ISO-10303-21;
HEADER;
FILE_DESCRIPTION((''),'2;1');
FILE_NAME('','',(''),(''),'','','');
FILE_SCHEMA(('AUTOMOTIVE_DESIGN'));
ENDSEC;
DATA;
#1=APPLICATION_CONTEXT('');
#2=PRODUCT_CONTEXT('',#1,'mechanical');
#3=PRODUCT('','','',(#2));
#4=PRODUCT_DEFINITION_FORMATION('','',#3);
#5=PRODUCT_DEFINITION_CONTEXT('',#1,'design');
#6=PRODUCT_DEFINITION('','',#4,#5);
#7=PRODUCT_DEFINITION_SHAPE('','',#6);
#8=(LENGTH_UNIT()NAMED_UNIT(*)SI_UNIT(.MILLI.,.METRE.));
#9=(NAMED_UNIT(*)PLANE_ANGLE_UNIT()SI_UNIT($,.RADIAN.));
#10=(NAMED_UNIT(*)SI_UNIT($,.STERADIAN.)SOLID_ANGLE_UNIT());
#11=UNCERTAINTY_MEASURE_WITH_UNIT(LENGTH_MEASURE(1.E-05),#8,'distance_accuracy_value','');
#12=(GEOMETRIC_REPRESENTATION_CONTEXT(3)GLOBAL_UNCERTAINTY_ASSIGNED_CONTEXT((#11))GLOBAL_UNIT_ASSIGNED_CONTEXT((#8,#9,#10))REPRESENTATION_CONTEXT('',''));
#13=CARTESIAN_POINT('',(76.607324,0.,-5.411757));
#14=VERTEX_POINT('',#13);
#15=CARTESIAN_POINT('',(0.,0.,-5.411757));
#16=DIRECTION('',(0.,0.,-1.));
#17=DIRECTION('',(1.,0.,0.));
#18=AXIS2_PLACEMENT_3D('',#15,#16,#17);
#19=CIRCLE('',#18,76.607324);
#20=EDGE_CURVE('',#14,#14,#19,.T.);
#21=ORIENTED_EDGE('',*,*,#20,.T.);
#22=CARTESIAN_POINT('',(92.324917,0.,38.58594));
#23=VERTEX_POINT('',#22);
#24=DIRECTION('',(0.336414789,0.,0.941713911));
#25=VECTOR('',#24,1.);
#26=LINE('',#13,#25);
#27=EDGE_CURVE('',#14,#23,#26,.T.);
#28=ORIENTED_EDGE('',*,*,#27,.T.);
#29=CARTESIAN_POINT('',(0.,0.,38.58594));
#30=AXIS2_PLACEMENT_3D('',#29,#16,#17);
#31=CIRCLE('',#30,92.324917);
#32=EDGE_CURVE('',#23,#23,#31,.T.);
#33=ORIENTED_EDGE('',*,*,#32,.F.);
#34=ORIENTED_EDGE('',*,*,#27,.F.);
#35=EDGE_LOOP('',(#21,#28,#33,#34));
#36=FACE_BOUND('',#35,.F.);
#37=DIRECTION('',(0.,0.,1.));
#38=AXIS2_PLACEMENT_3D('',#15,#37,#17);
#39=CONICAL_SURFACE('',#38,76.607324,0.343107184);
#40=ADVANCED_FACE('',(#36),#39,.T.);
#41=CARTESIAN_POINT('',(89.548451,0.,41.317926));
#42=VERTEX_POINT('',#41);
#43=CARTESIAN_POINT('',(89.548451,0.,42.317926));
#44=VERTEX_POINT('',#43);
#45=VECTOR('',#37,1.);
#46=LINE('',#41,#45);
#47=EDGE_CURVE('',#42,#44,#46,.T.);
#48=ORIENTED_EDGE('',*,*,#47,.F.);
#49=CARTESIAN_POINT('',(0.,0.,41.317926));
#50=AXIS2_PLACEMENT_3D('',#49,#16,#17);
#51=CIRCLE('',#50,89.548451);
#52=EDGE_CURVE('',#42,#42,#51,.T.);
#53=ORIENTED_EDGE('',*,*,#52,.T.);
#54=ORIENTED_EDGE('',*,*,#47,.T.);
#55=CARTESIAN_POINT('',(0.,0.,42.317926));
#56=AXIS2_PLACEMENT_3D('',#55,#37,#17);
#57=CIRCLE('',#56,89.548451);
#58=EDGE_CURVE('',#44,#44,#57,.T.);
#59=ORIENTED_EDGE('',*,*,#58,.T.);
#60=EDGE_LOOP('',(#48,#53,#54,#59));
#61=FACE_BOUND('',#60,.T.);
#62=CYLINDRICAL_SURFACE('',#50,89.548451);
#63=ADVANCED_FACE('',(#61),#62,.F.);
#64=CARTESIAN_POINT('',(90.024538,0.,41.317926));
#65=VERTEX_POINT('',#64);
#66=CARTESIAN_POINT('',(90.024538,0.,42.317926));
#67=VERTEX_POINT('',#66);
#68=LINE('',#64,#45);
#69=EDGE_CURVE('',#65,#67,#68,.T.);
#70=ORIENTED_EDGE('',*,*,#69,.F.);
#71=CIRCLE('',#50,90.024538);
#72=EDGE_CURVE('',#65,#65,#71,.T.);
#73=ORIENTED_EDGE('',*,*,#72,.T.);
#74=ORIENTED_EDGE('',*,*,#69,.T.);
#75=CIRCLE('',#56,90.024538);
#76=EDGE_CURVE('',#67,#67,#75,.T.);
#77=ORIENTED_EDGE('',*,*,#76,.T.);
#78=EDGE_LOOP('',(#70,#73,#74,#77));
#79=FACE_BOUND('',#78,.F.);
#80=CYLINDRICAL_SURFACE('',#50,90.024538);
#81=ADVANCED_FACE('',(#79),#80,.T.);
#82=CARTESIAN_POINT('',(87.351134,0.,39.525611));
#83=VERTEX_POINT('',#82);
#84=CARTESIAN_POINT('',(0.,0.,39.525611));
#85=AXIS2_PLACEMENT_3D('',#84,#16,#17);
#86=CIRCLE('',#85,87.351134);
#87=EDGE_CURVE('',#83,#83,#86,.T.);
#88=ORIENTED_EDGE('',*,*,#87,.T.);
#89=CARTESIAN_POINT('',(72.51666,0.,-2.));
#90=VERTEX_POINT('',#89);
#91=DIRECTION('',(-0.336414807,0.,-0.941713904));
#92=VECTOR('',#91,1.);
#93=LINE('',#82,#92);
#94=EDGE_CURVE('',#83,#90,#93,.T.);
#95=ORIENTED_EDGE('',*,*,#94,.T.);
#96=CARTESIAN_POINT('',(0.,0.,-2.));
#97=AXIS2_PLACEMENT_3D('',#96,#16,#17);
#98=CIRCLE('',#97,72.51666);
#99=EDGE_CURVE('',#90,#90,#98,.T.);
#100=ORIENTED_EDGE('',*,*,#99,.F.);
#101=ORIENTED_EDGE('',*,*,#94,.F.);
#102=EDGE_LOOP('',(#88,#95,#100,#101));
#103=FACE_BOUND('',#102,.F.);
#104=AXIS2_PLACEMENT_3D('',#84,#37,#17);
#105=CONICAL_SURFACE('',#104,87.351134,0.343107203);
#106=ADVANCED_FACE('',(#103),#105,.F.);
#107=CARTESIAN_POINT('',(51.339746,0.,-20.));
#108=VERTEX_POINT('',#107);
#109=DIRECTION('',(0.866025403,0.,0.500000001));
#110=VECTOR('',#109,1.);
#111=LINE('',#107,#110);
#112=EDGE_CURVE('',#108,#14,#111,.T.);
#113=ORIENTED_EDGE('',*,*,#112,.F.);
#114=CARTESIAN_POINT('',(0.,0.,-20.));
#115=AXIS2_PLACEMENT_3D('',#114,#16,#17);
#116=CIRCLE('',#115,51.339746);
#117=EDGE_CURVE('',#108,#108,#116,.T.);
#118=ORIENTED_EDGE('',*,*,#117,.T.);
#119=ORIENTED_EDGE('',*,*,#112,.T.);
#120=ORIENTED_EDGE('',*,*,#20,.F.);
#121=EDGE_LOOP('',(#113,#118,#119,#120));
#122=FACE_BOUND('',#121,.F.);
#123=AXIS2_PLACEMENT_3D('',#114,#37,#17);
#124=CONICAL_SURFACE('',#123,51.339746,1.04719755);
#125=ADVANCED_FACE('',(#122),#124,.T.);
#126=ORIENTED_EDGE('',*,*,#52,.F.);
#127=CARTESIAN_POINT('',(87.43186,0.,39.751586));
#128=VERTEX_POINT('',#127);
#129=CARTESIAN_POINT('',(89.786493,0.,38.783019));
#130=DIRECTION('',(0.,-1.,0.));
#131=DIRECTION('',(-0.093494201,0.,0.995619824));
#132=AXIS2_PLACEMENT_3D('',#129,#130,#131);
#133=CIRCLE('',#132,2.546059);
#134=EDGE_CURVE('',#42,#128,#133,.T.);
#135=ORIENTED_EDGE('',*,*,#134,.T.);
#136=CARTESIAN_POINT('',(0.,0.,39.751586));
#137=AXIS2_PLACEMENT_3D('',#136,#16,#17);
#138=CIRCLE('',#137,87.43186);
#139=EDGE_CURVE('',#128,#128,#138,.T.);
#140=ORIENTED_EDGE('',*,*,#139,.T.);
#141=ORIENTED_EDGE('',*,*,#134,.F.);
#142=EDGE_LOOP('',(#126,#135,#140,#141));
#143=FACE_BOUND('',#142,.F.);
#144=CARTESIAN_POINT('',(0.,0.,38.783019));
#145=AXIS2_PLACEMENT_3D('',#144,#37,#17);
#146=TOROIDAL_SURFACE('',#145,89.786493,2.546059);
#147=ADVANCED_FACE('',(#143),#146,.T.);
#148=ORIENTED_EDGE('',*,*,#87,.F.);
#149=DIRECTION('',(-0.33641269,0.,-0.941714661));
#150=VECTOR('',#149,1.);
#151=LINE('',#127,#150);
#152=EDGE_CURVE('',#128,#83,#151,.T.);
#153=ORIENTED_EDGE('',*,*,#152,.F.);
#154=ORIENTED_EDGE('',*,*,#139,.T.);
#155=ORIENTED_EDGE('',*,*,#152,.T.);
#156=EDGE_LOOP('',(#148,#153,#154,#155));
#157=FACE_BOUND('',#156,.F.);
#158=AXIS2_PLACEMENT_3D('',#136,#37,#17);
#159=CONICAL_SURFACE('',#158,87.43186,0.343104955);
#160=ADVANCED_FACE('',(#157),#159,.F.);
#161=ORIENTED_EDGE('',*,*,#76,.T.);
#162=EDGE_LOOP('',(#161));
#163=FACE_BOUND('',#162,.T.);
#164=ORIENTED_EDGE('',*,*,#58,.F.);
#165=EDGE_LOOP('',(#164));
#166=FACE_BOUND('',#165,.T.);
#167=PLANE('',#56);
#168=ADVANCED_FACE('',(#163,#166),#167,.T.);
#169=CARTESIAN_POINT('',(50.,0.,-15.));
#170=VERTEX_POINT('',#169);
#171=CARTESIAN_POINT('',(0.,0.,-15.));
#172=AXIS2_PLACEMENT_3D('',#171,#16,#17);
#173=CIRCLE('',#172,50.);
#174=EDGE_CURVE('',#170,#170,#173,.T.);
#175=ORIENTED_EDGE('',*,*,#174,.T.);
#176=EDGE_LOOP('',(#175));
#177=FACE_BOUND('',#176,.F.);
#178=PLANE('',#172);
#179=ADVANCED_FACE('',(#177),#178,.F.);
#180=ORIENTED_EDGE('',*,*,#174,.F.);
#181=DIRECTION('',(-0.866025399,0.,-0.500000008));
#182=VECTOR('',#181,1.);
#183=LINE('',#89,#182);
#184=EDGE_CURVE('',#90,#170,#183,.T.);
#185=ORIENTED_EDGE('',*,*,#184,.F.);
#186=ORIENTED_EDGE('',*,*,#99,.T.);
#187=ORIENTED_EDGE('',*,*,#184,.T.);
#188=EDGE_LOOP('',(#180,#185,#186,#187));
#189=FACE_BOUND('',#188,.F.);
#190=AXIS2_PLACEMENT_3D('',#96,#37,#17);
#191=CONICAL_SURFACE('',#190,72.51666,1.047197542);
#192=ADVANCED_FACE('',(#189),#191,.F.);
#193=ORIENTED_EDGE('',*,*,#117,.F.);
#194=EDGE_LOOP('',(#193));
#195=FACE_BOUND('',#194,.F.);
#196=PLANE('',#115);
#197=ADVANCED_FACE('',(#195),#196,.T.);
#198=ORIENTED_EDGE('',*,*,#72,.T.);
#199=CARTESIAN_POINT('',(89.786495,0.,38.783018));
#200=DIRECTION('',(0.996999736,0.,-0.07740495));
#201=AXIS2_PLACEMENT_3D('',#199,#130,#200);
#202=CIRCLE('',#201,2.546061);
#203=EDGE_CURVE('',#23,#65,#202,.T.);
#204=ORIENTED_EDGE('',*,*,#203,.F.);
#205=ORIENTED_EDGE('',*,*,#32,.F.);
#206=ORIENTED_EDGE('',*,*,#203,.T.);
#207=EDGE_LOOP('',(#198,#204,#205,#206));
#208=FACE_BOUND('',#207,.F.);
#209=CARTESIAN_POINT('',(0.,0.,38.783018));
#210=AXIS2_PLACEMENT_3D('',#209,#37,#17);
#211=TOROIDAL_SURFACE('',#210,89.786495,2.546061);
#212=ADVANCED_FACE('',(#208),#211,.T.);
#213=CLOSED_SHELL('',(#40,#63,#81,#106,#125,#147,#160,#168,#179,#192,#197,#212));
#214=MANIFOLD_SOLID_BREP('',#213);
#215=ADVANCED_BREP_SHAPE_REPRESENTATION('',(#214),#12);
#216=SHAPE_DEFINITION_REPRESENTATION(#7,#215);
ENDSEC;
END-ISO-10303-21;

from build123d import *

# Parameters (mm, degrees)
F1_FACE_R   = 90.024538
F1_FACE_R_2 = 89.548451
F2_DEPTH    = 1


with BuildPart() as f1:
    # F0 (on Front) → F1 (revolve)
    with BuildSketch(Plane.XZ):
        with BuildLine():
            Line((50, -15), (0, -15))
            Line((0, -15), (0, -20))
            Line((0, -20), (51.339746, -20))
            Line((51.339746, -20), (76.607324, -5.411757))
            Line((76.607324, -5.411757), (92.324917, 38.58594))
            ThreePointArc((92.324917, 38.58594), (91.73409, 40.422926), (90.024538, 41.317926))
            Line((90.024538, 41.317926), (89.548451, 41.317926))
            ThreePointArc((89.548451, 41.317926), (88.271948, 40.829619), (87.43186, 39.751586))
            Line((87.43186, 39.751586), (87.351134, 39.525611))
            Line((87.351134, 39.525611), (72.51666, -2))
            Line((72.51666, -2), (50, -15))
        make_face()
    revolve(axis=Axis((0, 0, -17.5), (0, 0, -1)))

    # F1_face (on face) → F2 (join)
    with BuildSketch(Plane.XY.offset(41.317926)):
        Circle(F1_FACE_R)
        Circle(F1_FACE_R_2, mode=Mode.SUBTRACT)
    extrude(amount=F2_DEPTH)


solid = f1.part
